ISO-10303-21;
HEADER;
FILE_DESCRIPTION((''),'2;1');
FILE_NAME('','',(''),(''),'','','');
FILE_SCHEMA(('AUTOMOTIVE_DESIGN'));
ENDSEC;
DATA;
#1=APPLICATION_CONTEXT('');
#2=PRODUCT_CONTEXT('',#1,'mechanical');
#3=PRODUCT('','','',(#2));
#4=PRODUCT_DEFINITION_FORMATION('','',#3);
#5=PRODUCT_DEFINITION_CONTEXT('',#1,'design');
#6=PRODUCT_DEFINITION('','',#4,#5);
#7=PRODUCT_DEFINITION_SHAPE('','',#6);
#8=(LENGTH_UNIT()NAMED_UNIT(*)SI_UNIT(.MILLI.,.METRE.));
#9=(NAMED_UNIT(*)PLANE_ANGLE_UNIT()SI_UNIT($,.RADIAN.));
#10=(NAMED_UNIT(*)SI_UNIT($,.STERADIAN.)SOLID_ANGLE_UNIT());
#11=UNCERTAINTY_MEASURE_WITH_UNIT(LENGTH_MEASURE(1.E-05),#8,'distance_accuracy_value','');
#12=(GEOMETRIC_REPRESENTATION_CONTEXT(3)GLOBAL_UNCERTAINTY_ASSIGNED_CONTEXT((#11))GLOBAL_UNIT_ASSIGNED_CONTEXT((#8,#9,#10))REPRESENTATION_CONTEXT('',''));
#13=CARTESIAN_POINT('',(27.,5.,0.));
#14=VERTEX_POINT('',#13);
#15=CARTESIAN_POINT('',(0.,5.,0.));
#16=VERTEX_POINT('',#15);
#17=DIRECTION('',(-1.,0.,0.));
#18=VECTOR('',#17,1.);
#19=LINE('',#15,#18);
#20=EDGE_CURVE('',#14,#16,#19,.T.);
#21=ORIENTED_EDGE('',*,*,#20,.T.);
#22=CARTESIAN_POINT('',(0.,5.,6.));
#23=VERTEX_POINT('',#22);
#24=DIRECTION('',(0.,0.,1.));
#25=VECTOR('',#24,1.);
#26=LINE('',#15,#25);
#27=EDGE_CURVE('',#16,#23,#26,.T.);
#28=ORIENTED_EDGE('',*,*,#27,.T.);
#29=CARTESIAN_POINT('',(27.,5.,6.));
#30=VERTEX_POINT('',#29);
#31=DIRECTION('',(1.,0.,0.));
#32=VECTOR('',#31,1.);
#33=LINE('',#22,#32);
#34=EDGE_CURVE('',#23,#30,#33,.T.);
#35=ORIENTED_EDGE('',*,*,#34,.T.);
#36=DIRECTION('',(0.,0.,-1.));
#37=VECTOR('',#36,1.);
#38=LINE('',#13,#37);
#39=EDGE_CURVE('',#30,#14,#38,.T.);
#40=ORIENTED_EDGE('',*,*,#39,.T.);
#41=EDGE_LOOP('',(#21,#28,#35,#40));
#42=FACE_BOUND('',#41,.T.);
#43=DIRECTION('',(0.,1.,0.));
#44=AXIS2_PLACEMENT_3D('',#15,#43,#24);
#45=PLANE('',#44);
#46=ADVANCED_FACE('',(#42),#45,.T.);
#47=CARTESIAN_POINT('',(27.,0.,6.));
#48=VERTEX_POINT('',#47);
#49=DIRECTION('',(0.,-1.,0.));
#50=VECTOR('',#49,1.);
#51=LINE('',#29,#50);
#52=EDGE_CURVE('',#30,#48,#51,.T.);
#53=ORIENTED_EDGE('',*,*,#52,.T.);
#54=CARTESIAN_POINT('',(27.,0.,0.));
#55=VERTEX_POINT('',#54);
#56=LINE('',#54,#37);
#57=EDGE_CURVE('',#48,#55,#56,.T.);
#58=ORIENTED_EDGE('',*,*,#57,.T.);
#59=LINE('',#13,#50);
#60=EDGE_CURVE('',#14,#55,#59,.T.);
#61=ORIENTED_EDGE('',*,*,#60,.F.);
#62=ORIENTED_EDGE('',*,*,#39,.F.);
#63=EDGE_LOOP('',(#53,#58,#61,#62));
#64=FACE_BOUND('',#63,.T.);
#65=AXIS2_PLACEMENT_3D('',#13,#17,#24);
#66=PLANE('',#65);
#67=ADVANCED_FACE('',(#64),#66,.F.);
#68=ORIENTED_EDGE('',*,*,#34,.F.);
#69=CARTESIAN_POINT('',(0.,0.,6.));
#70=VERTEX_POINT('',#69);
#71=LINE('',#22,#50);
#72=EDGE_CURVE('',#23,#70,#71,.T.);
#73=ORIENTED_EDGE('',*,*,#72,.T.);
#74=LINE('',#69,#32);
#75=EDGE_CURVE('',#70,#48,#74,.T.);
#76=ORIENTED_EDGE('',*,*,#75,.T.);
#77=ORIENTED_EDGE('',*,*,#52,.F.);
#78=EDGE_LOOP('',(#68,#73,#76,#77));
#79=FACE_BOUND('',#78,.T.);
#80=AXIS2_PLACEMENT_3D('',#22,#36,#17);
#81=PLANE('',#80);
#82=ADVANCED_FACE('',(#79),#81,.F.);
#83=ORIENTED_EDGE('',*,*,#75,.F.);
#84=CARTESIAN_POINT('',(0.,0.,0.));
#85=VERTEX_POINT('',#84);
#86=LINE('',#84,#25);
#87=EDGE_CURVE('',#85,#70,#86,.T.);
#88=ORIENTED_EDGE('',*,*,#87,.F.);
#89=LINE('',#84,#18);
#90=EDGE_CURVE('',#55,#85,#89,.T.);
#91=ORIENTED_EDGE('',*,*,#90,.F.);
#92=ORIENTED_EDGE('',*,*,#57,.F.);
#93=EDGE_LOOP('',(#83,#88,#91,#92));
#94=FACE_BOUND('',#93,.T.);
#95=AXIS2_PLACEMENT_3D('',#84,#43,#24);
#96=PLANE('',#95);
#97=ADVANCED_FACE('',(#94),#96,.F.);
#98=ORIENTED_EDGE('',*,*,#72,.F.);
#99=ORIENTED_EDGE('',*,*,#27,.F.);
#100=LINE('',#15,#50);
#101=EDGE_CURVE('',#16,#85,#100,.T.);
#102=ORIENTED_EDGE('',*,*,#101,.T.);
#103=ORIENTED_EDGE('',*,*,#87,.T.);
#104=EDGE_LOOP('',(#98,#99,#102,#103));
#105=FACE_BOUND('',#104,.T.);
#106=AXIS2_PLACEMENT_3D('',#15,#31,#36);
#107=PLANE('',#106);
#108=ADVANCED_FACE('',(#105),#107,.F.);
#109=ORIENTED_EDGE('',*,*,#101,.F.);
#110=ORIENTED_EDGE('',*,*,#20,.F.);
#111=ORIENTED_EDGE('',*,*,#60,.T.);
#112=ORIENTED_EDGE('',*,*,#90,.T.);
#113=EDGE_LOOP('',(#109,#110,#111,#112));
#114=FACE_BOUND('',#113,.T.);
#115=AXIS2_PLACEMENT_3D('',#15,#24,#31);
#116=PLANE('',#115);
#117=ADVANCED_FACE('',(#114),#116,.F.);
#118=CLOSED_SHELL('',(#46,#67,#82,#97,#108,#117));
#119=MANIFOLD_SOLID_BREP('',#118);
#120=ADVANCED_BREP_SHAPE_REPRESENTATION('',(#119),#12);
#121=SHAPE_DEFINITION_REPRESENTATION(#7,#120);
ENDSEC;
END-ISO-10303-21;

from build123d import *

# Parameters (mm, degrees)
SKETCH_1_W      = 27
SKETCH_1_H      = 6
EXTRUDE_1_DEPTH = 5


with BuildPart() as part:
    # ｽｹｯﾁ1 → ﾎﾞｽ - 押し出し1 (new body)
    with BuildSketch(Plane(origin=(0, 0, 0), x_dir=(1, 0, 0), z_dir=(0, 1, 0))):
        with Locations((13.5, -3)):
            Rectangle(SKETCH_1_W, SKETCH_1_H)
    extrude(amount=EXTRUDE_1_DEPTH)


solid = part.part
